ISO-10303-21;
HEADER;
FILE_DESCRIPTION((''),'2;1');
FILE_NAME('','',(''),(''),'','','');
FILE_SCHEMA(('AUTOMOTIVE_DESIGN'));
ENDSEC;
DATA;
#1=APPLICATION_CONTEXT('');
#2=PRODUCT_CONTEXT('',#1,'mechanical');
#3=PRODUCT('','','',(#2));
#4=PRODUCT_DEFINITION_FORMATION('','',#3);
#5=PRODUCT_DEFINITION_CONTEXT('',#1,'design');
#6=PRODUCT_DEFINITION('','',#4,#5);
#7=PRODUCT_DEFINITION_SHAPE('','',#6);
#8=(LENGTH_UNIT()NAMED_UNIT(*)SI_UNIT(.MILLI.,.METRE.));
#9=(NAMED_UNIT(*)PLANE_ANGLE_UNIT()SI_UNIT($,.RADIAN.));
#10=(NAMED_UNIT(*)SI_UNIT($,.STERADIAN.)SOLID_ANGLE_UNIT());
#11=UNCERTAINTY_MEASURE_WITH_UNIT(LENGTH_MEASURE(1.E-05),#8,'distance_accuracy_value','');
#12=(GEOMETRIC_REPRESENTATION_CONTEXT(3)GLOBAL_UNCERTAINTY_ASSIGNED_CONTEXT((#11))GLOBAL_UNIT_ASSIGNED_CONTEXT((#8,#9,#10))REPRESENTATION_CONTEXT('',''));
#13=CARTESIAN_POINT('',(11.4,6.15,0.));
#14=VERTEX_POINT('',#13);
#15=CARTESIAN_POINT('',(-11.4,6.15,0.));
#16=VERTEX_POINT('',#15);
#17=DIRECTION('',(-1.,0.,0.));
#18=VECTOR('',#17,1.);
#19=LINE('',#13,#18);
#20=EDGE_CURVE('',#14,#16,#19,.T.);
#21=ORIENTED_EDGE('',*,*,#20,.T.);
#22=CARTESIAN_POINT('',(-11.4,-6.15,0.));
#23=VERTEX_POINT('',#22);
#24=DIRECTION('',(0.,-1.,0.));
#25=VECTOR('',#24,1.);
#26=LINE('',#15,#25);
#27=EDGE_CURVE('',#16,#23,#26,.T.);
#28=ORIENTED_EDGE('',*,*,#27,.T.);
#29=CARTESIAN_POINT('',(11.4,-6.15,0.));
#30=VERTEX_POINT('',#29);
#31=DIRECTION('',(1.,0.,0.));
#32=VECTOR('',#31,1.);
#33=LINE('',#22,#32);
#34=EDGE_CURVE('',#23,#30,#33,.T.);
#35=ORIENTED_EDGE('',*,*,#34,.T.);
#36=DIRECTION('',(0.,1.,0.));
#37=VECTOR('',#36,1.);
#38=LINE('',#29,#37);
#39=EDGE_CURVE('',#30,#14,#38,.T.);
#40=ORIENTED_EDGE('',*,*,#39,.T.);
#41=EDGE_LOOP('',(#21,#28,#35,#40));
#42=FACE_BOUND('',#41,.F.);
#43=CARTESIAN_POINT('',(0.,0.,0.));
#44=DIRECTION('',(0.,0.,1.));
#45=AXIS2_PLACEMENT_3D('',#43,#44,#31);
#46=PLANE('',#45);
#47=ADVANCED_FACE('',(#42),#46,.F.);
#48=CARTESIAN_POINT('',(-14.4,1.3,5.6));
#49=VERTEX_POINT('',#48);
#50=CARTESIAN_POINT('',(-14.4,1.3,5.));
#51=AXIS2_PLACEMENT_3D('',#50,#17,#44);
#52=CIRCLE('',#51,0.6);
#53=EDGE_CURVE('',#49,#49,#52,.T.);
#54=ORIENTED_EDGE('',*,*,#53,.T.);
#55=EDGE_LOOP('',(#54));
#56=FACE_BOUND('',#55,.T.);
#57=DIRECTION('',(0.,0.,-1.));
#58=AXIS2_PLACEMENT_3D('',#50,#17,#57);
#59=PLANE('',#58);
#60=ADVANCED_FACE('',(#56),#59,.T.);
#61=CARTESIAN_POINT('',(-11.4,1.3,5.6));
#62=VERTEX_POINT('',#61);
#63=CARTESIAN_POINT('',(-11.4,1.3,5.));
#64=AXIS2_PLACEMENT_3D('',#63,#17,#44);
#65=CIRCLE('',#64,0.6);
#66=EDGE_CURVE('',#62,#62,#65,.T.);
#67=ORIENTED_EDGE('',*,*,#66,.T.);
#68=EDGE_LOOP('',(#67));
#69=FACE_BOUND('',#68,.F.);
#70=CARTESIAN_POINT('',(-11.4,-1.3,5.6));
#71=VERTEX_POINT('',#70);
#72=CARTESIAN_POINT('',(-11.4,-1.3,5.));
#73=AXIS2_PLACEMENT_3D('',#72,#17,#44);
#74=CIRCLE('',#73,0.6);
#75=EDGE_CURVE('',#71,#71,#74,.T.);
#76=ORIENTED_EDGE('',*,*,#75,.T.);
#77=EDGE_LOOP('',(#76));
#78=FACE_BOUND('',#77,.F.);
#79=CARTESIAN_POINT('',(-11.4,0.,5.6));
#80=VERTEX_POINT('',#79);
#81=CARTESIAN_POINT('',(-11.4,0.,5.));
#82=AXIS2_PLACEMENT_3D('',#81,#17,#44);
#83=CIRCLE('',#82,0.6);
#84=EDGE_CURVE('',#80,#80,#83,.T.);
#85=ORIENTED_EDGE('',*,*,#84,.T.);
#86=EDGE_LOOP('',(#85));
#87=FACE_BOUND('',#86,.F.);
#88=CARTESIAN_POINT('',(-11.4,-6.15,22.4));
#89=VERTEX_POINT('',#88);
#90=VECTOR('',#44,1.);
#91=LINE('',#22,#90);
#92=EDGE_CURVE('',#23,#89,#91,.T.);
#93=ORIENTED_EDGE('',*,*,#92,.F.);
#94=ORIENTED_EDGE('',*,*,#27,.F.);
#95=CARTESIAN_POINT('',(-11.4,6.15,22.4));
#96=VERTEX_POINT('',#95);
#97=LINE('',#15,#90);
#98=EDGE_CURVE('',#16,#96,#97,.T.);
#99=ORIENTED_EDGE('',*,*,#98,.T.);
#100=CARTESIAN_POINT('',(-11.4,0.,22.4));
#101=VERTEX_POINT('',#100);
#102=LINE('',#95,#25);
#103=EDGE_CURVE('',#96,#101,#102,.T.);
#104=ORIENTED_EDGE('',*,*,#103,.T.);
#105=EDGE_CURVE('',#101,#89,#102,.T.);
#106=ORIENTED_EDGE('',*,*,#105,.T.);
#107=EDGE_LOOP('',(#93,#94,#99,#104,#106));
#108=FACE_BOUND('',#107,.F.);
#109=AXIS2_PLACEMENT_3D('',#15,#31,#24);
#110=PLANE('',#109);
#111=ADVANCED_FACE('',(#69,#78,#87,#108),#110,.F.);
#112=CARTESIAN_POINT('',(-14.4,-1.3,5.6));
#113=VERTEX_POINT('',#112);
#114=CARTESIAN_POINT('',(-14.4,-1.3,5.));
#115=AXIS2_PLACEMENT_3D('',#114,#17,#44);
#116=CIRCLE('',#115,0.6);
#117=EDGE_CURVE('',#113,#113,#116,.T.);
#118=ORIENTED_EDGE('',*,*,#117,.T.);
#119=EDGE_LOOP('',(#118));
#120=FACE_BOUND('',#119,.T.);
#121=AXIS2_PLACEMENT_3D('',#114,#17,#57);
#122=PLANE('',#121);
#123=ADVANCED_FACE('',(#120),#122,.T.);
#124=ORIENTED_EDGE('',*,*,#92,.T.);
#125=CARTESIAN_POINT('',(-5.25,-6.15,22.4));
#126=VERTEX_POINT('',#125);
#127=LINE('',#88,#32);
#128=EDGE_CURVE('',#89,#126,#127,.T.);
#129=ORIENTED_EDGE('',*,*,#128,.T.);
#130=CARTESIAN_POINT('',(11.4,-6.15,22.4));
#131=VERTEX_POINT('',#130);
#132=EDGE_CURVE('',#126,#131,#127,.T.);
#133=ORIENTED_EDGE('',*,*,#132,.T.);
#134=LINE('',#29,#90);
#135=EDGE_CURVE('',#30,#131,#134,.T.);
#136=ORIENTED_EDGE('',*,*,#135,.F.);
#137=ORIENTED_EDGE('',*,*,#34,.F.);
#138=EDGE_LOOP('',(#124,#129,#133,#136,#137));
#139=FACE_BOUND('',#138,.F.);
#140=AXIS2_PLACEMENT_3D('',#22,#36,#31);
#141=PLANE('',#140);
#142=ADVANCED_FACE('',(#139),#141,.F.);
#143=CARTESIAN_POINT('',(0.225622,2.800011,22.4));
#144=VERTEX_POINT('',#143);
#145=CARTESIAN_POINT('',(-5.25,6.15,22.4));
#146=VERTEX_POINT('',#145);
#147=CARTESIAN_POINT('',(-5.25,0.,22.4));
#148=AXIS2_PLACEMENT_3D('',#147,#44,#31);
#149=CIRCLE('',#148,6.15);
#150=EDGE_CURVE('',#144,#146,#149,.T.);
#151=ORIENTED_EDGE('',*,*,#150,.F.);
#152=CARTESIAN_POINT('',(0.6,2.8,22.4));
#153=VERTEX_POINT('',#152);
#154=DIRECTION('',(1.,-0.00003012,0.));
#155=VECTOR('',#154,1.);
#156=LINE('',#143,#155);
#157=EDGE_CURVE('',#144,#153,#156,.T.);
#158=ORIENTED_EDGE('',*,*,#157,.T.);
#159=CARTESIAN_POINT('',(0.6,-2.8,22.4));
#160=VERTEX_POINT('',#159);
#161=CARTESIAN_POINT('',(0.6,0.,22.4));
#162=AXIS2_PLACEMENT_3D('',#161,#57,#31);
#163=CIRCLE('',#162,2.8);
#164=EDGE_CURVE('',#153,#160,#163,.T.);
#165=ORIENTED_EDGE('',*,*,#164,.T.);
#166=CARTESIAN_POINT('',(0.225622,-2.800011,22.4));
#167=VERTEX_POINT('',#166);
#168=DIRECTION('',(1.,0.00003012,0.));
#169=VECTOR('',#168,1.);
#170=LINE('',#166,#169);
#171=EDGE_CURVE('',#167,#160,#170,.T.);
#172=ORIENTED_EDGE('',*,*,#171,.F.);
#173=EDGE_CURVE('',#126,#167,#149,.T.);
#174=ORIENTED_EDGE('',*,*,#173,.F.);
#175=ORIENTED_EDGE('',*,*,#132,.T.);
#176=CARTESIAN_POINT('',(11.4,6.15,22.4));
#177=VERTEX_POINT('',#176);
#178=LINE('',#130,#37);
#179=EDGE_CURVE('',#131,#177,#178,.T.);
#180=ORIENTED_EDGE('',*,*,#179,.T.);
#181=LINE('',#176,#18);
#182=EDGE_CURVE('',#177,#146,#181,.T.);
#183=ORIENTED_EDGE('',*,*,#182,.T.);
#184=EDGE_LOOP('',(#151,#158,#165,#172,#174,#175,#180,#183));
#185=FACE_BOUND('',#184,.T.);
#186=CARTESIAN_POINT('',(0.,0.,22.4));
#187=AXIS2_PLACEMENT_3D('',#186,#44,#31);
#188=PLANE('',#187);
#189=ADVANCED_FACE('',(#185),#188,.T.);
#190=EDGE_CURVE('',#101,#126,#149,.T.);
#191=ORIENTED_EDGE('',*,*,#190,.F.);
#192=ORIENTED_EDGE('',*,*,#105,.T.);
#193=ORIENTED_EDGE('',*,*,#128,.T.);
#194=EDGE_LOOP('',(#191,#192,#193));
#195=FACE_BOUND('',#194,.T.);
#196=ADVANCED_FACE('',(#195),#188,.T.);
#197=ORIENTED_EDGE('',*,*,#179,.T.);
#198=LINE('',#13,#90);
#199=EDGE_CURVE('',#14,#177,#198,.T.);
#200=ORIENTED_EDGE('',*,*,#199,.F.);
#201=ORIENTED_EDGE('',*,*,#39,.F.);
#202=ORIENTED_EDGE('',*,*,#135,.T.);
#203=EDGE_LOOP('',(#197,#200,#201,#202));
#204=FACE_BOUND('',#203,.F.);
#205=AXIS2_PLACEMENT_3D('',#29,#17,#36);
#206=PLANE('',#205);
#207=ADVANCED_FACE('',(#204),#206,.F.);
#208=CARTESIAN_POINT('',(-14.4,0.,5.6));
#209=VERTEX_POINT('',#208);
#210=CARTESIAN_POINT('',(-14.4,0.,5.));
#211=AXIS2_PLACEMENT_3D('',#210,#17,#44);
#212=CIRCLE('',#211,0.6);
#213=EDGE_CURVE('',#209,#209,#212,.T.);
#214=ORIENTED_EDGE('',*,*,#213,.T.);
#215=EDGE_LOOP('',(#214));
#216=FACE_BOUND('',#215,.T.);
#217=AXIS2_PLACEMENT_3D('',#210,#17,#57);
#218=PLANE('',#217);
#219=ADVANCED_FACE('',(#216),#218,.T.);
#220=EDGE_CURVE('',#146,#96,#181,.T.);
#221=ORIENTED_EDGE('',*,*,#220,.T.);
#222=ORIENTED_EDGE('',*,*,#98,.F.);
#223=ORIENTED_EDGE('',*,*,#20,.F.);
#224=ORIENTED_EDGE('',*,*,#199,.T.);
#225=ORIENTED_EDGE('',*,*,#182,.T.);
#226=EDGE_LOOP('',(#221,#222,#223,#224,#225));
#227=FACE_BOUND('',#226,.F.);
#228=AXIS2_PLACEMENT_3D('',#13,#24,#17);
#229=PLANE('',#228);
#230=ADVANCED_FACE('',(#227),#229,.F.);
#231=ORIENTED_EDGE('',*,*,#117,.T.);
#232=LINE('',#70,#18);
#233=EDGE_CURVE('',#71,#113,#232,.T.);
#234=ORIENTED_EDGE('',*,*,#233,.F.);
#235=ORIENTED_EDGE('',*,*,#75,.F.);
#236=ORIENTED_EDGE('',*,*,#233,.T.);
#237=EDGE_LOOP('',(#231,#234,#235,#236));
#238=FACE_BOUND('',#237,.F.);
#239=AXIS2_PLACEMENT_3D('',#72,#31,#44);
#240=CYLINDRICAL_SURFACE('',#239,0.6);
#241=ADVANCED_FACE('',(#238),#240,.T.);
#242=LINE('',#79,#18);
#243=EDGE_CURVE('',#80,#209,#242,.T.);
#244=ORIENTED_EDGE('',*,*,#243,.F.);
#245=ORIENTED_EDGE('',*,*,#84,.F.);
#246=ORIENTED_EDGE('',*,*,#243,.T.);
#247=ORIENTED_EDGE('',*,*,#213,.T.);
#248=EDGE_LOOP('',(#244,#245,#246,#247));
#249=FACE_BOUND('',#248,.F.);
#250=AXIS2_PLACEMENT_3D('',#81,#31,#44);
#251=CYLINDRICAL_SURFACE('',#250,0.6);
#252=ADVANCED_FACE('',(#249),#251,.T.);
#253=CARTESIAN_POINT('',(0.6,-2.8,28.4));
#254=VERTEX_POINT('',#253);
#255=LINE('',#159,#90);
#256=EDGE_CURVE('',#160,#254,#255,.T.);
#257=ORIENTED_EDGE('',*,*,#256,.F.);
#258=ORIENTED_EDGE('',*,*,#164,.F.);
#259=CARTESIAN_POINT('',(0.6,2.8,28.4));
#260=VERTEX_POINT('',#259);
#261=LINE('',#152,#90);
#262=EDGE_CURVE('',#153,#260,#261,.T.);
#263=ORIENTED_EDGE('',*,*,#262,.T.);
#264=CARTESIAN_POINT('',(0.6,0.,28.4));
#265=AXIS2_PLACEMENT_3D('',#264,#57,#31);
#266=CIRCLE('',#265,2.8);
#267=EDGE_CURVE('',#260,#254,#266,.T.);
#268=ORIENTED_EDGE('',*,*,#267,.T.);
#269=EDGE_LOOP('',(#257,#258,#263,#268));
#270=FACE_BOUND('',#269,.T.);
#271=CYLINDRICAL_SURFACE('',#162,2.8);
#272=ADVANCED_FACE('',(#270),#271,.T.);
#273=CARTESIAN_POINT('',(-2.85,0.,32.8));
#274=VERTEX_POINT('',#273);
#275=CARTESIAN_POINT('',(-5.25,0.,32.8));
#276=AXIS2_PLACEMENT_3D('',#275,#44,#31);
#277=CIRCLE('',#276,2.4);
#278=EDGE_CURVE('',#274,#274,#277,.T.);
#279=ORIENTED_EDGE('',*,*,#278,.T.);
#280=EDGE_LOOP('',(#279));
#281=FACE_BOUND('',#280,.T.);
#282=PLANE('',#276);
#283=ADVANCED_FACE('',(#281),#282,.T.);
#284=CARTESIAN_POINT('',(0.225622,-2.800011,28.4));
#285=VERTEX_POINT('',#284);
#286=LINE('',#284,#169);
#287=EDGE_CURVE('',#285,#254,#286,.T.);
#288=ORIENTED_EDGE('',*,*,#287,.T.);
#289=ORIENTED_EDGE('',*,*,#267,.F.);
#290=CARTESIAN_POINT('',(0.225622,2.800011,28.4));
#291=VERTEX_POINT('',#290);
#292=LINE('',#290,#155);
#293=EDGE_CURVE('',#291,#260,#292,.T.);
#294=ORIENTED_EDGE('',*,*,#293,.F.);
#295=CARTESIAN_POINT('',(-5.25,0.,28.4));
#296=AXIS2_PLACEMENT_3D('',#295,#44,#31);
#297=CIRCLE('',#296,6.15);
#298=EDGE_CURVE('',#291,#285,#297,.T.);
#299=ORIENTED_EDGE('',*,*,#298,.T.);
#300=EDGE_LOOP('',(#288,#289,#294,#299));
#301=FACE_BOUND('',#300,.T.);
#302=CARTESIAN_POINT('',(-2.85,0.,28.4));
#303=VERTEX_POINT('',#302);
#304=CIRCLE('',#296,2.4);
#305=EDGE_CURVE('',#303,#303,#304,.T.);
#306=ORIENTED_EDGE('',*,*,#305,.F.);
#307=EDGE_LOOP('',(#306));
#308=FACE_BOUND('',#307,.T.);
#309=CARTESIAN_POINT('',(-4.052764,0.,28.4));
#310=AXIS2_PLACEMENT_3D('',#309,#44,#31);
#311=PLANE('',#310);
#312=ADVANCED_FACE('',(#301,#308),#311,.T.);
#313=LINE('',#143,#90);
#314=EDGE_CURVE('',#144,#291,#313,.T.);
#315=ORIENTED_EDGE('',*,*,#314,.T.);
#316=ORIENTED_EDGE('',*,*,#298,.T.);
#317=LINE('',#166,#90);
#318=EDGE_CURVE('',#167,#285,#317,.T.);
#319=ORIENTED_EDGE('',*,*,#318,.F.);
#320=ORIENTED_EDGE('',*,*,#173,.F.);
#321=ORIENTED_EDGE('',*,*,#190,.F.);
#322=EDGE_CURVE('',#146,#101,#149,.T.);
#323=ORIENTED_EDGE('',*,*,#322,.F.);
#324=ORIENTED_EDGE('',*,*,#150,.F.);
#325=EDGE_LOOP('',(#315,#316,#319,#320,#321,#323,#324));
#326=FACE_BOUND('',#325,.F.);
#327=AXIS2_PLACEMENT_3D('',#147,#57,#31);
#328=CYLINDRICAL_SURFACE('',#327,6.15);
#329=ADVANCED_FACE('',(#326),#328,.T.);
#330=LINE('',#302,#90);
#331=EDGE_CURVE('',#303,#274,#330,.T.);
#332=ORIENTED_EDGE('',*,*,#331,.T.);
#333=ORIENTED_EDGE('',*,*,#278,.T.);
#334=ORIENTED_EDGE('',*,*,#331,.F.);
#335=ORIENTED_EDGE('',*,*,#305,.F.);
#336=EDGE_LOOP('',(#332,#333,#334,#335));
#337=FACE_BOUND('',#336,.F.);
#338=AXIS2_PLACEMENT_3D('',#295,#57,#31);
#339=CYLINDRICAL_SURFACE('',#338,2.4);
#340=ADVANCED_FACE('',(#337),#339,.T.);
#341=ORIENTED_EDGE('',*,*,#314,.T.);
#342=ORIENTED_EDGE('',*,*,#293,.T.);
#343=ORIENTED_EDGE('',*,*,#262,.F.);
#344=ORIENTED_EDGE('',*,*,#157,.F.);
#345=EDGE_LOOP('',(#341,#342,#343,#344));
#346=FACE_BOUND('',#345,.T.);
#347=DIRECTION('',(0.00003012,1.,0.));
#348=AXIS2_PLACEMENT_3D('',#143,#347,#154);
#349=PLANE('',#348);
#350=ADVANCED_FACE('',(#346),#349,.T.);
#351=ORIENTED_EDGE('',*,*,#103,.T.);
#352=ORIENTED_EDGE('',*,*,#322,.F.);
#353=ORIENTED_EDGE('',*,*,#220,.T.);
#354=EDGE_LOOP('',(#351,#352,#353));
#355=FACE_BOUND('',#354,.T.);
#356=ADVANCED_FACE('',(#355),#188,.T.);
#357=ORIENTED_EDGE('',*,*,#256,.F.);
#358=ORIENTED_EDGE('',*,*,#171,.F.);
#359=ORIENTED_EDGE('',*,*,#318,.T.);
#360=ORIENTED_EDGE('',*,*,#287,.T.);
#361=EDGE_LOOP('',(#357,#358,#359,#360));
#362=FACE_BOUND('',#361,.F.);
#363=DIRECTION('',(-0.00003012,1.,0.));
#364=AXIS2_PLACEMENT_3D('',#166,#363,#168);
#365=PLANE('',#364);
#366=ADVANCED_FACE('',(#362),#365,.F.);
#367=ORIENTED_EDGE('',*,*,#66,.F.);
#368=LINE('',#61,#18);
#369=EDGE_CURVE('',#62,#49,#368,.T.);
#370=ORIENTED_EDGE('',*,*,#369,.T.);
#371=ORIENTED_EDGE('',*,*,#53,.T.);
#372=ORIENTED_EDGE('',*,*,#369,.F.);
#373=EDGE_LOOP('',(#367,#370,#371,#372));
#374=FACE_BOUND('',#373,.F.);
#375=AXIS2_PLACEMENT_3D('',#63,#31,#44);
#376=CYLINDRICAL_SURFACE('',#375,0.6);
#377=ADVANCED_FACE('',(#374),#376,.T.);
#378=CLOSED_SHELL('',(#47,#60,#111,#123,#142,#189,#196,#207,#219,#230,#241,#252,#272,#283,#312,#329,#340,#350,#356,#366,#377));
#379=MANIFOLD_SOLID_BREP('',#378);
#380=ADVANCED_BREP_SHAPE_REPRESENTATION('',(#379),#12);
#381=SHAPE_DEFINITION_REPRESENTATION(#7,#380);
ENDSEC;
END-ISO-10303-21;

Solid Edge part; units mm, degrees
sketch "Sketch1" plane through (0, 0, 0) normal (0, 0, 1) x (1, 0, 0)
  line L0 (-11.4, -6.15) -> (11.4, -6.15)
  line L1 (11.4, -6.15) -> (11.4, 6.15)
  line L2 (11.4, 6.15) -> (-11.4, 6.15)
  line L3 (-11.4, 6.15) -> (-11.4, -6.15)
  dimension "D1" = 12.3
  dimension "D2" = 22.8
extrude "Protrusion1" add sketch "Sketch1" along normal blind 22.4
sketch "Sketch2" plane through (0, 0, 22.4) normal (0, 0, 1) x (1, 0, 0)
  arc A0 (0.2256, 2.8) -> (0.2256, -2.8) centre (-5.25, 0) ccw
  line L0 (0.2256, -2.8) -> (0.6, -2.8)
  arc A1 (0.6, 2.8) -> (0.6, -2.8) centre (0.6, 0) cw
  line L1 (0.2256, 2.8) -> (0.6, 2.8)
  dimension "D1" = 5.6
  dimension "D2" = 14.8
extrude "Extrusionsausprägung_2" add sketch "Sketch2" along normal blind 6
sketch "Sketch3" plane through (-4, 0, 28.4) normal (0, 0, 1) x (1, 0, 0)
  circle A0 centre (-1.25, 0) radius 2.4
  dimension "D1" = 4.8
extrude "Extrusionsausprägung_3" add sketch "Sketch3" along normal blind 4.4
sketch "Sketch4" plane through (-11.4, 0, 11.35) normal (-1, 0, 0) x (0, 0, 1)
  circle A0 centre (-6.35, -1.3) radius 0.6
  circle A1 centre (-6.35, 0) radius 0.6
  circle A2 centre (-6.35, 1.3) radius 0.6
  dimension "D1" = 1.3
  dimension "D2" = 1.2
  dimension "D3" = 5
extrude "Extrusionsausprägung_4" add sketch "Sketch4" along normal blind 3
